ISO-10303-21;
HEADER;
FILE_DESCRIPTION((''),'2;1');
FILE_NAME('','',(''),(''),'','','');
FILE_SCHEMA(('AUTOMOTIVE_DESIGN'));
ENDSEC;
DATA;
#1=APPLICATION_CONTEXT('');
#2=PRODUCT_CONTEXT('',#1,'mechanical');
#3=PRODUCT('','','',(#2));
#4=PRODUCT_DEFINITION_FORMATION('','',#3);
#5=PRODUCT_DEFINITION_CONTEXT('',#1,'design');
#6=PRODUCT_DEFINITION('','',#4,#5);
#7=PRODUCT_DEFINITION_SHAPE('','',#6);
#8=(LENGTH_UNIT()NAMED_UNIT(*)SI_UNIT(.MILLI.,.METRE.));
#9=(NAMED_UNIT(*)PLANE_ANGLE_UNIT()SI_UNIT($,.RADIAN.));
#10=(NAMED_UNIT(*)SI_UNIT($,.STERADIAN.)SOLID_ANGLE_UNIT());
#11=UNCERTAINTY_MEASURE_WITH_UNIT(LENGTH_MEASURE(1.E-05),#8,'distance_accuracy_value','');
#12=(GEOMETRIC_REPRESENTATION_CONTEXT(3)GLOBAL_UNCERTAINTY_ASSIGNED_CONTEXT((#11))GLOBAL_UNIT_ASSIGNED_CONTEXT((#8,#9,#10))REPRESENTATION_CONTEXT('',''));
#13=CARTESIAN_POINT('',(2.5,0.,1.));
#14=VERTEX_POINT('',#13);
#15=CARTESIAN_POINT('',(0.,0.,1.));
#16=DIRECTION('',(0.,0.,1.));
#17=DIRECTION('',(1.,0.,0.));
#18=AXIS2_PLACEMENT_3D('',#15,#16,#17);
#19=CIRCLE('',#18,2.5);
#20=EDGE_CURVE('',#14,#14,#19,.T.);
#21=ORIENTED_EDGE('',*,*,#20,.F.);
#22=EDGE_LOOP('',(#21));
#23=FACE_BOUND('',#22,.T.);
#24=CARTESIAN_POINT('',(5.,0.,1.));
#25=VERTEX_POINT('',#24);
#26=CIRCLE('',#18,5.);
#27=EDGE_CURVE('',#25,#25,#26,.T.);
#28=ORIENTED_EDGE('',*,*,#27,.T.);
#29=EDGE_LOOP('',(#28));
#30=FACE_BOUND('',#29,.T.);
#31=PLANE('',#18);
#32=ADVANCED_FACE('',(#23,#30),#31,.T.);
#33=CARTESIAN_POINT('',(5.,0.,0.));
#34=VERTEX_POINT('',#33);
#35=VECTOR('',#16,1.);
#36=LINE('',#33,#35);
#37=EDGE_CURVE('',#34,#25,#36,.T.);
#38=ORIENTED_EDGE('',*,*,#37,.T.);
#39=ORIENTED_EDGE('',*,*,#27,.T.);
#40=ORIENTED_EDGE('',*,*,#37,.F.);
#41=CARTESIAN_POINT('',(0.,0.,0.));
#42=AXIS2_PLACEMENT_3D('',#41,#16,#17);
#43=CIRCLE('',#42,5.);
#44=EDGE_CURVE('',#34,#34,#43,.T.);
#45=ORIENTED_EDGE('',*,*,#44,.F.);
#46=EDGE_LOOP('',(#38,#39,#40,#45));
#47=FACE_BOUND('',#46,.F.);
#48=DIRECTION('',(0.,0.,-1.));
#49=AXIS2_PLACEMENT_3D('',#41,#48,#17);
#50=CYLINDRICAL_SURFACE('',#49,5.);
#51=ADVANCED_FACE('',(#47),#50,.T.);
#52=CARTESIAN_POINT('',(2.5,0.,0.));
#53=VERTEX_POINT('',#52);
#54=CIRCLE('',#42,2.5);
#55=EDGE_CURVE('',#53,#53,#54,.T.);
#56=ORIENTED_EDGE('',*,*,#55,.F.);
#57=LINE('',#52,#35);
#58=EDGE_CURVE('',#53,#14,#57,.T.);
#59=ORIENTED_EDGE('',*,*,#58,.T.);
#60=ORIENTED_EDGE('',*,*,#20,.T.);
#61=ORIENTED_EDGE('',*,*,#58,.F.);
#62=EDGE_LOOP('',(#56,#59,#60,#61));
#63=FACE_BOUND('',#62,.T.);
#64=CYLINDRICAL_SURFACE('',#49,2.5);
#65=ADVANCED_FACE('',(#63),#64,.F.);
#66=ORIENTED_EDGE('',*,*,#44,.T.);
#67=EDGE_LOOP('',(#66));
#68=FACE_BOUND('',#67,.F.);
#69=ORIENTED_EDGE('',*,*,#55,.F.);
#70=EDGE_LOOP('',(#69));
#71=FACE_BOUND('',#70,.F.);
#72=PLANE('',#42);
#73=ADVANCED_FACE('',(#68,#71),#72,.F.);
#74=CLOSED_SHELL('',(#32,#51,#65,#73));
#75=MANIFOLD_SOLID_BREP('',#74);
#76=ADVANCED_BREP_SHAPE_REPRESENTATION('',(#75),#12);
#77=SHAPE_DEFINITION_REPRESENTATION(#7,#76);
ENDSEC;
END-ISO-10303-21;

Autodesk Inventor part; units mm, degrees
ref_plane "YZ Plane" through (0, 0, 0) normal (1, 0, 0) x (0, 1, 0)
ref_plane "XZ Plane" through (0, 0, 0) normal (0, 1, 0) x (-1, 0, 0)
ref_plane "XY Plane" through (0, 0, 0) normal (0, 0, 1) x (1, 0, 0)
sketch "Sketch1" plane through (0, 0, 0) normal (0, 0, 1) x (1, 0, 0)
  circle A0 centre (0, 0) radius 2.5
  circle A1 centre (0, 0) radius 5
  dimension "d0" = 5
  dimension "d1" = 10
extrude "Extrusion1" add sketch "Sketch1" along normal blind 1
properties part number "1mm 5mm shim"
